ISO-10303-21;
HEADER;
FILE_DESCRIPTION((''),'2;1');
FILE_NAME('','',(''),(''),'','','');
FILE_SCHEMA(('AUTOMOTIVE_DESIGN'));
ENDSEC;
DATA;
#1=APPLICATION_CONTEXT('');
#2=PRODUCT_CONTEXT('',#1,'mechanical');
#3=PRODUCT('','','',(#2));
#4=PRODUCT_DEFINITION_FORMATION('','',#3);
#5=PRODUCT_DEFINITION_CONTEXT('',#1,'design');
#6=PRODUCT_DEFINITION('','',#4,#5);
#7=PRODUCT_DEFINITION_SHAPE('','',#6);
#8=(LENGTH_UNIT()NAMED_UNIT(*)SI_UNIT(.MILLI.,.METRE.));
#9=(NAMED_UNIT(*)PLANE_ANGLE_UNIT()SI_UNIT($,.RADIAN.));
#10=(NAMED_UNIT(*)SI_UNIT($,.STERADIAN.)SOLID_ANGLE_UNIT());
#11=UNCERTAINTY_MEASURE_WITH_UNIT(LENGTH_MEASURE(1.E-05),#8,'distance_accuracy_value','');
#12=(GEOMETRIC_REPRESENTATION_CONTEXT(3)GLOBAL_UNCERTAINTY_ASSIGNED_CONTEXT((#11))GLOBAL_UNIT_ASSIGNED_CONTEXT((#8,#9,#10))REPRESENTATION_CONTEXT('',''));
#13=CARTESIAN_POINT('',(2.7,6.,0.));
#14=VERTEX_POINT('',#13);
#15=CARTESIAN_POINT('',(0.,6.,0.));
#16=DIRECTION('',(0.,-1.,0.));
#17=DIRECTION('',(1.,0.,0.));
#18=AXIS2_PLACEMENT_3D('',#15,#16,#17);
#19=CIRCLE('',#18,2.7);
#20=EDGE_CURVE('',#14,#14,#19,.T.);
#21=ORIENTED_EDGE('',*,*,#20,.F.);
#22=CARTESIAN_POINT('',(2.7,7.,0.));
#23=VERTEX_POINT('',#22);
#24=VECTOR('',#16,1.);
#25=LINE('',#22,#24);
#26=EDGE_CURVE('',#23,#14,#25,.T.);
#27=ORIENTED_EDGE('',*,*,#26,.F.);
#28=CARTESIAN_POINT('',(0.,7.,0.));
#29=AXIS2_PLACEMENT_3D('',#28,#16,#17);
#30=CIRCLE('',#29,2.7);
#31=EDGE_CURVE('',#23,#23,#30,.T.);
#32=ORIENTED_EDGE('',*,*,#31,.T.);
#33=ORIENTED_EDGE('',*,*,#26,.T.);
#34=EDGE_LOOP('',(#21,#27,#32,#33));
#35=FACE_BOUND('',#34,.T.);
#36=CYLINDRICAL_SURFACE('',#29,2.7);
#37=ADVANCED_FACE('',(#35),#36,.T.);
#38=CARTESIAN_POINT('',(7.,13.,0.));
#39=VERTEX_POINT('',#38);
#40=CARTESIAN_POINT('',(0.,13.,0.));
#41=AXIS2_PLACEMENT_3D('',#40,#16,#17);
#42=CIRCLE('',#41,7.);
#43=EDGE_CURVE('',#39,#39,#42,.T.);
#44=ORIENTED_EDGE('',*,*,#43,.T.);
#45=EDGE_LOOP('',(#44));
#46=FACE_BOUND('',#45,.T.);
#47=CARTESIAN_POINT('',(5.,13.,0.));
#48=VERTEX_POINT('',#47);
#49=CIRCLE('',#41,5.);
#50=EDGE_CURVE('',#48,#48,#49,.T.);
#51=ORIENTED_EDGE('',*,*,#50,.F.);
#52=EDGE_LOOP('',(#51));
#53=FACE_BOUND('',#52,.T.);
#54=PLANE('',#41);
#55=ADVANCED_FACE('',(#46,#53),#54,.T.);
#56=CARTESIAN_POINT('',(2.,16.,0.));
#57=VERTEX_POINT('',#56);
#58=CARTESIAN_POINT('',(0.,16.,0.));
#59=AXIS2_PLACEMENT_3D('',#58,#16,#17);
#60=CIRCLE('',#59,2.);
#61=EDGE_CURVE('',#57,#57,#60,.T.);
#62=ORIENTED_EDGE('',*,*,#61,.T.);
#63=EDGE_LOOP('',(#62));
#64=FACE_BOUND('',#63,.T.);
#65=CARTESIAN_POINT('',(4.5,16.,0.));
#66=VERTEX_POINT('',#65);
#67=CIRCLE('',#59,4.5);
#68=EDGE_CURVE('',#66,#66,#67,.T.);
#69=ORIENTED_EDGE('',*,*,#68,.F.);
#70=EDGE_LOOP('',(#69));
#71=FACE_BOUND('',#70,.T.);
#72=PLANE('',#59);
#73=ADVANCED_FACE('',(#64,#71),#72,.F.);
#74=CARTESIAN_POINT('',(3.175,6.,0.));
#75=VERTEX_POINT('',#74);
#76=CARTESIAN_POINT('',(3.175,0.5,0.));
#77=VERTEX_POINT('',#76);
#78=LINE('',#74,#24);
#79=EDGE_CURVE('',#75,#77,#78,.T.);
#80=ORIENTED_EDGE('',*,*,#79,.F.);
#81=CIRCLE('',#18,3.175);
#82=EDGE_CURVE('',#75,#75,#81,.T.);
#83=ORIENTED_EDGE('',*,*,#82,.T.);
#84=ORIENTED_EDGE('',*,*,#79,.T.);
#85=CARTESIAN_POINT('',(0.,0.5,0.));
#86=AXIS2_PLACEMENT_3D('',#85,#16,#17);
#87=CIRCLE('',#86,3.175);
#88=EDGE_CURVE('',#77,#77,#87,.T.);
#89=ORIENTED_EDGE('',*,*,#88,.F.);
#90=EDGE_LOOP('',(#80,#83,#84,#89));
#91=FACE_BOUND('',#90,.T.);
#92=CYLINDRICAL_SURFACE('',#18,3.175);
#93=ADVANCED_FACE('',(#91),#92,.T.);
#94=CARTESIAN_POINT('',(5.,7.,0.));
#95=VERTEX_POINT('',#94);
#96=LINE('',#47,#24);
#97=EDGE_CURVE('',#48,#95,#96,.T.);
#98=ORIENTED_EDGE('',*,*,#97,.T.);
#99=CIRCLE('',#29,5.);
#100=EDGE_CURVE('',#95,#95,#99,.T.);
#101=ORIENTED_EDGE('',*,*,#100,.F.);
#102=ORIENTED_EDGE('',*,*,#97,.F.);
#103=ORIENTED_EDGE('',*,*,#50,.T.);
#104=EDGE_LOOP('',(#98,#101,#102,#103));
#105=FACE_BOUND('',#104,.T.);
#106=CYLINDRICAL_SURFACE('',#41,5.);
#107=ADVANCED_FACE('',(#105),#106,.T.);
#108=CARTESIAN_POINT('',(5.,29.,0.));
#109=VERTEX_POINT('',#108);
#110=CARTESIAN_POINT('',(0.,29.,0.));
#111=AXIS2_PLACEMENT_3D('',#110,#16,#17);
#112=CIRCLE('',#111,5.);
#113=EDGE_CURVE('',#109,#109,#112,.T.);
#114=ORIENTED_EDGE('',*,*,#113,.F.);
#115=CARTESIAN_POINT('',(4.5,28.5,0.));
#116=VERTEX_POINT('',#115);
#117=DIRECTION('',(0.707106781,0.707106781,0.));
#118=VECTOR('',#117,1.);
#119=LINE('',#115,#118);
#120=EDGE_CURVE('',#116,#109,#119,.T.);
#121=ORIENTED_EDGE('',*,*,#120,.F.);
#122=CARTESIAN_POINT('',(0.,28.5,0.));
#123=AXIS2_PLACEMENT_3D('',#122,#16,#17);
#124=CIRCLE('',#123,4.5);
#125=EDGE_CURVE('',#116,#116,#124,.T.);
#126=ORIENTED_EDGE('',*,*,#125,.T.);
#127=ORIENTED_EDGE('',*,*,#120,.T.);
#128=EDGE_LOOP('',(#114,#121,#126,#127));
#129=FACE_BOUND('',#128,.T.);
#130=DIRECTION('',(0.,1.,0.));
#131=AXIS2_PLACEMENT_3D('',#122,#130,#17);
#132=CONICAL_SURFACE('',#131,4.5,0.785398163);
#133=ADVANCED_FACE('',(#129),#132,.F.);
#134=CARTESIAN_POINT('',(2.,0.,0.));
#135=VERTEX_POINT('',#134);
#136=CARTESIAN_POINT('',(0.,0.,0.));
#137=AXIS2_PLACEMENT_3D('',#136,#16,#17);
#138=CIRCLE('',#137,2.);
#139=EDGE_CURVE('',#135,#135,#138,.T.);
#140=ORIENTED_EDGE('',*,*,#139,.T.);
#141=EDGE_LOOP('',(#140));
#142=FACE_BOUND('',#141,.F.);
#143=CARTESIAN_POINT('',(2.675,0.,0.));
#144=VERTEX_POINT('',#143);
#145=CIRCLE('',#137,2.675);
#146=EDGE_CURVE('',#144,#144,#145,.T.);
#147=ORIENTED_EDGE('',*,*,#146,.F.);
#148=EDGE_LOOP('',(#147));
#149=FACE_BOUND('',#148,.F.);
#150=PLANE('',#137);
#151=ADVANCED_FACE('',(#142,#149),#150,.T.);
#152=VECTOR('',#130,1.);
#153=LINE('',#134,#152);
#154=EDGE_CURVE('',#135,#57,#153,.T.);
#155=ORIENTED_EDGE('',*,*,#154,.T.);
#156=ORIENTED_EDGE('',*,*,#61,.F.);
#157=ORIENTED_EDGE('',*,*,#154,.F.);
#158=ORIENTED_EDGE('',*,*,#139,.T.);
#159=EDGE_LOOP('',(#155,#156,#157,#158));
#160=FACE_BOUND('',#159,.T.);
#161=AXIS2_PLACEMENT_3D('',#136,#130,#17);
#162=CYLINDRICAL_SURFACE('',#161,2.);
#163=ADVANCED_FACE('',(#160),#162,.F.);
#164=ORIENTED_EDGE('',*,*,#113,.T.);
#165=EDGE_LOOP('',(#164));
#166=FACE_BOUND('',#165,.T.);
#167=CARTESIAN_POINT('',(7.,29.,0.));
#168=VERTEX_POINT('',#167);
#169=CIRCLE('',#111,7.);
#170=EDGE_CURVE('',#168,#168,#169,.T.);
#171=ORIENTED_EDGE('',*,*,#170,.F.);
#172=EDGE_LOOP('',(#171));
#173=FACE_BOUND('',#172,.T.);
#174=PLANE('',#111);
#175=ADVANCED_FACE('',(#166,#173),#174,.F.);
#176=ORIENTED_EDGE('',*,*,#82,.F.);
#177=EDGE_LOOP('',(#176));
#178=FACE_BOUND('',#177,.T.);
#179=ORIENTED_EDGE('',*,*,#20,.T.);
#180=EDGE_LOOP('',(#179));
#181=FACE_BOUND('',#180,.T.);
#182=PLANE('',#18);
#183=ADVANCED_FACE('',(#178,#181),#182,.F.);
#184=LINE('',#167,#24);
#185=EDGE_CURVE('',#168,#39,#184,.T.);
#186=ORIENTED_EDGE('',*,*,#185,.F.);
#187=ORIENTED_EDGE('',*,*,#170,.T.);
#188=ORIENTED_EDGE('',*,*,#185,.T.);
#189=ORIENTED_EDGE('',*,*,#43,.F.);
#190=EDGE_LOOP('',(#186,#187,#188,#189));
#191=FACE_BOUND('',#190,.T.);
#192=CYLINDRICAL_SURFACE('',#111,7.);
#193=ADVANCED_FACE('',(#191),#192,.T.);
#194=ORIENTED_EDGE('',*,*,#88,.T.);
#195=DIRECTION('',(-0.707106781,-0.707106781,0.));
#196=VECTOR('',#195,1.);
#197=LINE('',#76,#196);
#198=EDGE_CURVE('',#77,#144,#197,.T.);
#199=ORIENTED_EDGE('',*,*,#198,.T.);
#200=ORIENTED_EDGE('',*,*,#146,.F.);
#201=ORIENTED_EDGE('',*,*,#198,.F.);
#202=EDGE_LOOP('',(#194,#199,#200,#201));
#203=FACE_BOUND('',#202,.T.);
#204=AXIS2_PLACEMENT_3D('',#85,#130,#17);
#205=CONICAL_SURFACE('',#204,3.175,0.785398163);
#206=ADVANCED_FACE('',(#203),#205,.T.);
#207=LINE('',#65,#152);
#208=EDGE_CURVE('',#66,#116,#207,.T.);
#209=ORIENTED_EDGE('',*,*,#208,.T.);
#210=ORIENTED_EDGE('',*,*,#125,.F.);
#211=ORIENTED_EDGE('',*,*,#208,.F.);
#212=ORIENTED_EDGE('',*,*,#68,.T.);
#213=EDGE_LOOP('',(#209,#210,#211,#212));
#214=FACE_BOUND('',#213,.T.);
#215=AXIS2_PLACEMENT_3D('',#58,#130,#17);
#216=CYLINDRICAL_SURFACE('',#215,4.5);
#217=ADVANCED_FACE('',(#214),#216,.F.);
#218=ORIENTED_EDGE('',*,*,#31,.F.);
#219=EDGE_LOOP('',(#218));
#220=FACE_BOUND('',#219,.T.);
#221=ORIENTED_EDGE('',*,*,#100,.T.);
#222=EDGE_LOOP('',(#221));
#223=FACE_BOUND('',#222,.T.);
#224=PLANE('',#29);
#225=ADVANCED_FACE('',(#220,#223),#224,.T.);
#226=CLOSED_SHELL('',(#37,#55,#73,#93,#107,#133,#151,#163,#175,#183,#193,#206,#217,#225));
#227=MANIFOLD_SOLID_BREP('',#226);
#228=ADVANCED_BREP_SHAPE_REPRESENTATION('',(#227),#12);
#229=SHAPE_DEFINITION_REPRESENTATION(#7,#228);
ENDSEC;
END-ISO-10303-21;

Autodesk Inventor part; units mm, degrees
ref_plane "YZ Plane" through (0, 0, 0) normal (1, 0, 0) x (0, 1, 0)
ref_plane "XZ Plane" through (0, 0, 0) normal (0, 1, 0) x (-1, 0, 0)
ref_plane "XY Plane" through (0, 0, 0) normal (0, 0, 1) x (1, 0, 0)
sketch "Skizze1" plane through (0, 0, 0) normal (0, 0, 1) x (1, 0, 0)
  line L0 (0, 34.8) -> (0, -5.8) projected
  line L1 (-1.4, 0) -> (8.4, 0) projected
  line L2 (2, 0) -> (2, 16)
  line L3 (2, 16) -> (4.5, 16)
  line L4 (4.5, 16) -> (4.5, 29)
  line L5 (4.5, 29) -> (7, 29)
  line L6 (7, 29) -> (7, 13)
  line L7 (3.175, 6) -> (3.175, 0)
  line L8 (2, 0) -> (3.175, 0)
  line L9 (5, 7) -> (2.7, 7)
  line L10 (2.7, 7) -> (2.7, 6)
  line L11 (2.7, 6) -> (3.175, 6)
  line L12 (7, 13) -> (5, 13)
  line L13 (5, 13) -> (5, 7)
  point P0 (0, 0)
  dimension "d1" = 1
  dimension "d2" = 2.7
  dimension "d3" = 3.175
  dimension "d4" = 2
  dimension "d5" = 4.5
  dimension "d6" = 13
  dimension "d7" = 7
  dimension "d8" = 5
  dimension "d9" = 6
  dimension "d10" = 3
  dimension "d11" = 7
revolve "Umdrehung1" add sketch "Skizze1" angle 360 about axis through (0, 0, 0) along (0, -1, 0)
chamfer "Fase1" distance 0.5 angle 45 2 edges at (-3.175, 0, 0) (-4.5, 29, 0)
thread "Gewinde1" size "G9.728x0.907" designation "G 1/8" standard "ISO Pipe Threads" full length
thread "Gewinde2" size "1/4-28 UNF" class "2A" standard "ANSI Unified Screw Threads" full length
properties part number "Gewindeadapter" material "Aluminum-6061"
